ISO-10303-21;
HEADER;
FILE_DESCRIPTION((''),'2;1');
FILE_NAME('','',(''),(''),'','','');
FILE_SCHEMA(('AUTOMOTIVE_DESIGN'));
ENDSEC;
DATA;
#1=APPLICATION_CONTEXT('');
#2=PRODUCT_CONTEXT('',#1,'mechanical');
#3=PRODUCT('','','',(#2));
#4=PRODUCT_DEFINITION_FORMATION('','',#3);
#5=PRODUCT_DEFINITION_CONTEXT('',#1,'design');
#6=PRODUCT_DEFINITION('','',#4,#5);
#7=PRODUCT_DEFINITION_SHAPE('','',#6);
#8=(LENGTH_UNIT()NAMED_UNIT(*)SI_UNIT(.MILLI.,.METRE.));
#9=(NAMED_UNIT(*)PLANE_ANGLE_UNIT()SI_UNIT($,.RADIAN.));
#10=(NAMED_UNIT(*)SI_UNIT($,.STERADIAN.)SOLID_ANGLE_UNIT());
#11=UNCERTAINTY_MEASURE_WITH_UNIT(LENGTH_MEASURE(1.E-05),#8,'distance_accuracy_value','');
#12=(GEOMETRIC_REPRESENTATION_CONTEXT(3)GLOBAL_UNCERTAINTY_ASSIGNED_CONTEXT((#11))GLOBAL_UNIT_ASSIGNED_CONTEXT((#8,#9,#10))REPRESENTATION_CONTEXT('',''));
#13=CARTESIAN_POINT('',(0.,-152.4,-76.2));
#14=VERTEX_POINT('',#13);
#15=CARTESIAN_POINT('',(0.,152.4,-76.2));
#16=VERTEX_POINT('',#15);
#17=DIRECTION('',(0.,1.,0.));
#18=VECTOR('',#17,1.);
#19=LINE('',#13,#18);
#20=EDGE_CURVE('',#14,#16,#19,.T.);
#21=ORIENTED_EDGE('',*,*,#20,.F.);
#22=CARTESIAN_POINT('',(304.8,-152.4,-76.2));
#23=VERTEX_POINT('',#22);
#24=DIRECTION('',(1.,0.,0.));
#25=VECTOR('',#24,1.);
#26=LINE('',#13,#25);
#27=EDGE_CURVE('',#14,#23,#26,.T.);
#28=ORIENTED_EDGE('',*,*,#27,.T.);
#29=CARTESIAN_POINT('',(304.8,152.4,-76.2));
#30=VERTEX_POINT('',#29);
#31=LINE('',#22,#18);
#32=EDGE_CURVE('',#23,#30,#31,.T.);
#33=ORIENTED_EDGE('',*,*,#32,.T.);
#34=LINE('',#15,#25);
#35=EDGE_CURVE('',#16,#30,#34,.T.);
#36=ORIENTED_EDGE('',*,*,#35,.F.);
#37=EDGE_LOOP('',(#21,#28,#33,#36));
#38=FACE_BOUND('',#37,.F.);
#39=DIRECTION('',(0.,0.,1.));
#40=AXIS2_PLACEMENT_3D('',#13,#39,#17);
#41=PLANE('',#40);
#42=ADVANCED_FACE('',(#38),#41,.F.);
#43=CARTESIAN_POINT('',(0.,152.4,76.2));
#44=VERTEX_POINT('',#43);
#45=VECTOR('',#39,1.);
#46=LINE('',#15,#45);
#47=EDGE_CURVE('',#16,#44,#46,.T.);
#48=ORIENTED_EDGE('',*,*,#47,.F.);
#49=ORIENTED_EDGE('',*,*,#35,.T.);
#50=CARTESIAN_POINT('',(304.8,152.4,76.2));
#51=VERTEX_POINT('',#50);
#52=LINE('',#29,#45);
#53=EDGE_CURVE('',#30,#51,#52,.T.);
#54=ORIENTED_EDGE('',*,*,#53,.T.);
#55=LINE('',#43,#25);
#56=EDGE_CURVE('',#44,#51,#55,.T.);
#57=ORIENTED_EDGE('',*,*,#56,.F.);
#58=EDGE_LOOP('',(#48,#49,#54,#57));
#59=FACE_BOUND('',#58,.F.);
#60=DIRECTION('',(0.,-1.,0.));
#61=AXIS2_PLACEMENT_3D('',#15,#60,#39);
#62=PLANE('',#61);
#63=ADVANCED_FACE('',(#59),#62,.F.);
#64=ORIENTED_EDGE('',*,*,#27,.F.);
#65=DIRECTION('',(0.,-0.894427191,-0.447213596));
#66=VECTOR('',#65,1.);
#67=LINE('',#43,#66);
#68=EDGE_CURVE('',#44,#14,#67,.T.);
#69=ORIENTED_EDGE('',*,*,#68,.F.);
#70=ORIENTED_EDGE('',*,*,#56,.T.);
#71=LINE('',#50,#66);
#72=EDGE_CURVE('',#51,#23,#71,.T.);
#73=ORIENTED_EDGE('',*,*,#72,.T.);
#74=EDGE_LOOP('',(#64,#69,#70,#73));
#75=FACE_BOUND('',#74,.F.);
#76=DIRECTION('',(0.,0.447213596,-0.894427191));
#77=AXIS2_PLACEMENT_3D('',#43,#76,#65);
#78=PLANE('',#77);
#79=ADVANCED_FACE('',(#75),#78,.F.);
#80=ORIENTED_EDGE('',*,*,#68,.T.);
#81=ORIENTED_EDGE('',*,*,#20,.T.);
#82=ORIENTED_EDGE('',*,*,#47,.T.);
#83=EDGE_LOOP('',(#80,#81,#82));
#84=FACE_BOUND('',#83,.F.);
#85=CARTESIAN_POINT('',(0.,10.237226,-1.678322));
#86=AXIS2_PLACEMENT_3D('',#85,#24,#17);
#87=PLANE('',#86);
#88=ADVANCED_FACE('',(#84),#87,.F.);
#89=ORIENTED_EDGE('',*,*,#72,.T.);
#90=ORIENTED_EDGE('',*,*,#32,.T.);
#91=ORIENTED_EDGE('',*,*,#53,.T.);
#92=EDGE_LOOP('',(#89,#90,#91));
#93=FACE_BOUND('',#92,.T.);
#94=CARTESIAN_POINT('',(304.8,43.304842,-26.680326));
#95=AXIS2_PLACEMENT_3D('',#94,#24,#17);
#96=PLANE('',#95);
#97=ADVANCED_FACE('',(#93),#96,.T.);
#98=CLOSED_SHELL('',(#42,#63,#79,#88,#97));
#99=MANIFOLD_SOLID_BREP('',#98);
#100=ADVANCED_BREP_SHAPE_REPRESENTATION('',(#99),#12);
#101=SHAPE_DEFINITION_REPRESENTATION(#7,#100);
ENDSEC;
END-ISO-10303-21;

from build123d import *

# Parameters (mm, degrees)
F1_DEPTH = 304.8
F3_DEPTH = 304.8


with BuildPart() as f1:
    # F0 (on Right) → F1 (new body)
    with BuildSketch(Plane.YZ):
        Polygon((139.7, 62.0009683429), (152.4, 62.0009683429), (146.7203873372, 73.3601936686), (-129.6815493486, -64.8407746743), (-124.0019366858, -76.2), (-124.0019366858, -63.5), (-98.6019366858, -63.5), (97.1196126628, 34.3607746743), (139.7, 55.6509683429), align=None)
        Polygon((152.4, 62.0009683429), (152.4, 76.2), (146.7203873372, 73.3601936686), align=None)
        Polygon((152.4, -76.2), (152.4, 62.0009683429), (139.7, 55.6509683429), (139.7, -63.5), (139.7, -76.2), align=None)
        Polygon((139.7, 55.6509683429), (152.4, 62.0009683429), (139.7, 62.0009683429), align=None)
        Polygon((-129.6815493486, -64.8407746743), (-152.4, -76.2), (-124.0019366858, -76.2), align=None)
        Polygon((-124.0019366858, -63.5), (-124.0019366858, -76.2), (-98.6019366858, -63.5), align=None)
        Polygon((-98.6019366858, -63.5), (-124.0019366858, -76.2), (139.7, -76.2), (139.7, -63.5), align=None)
    extrude(amount=F1_DEPTH)

    # F2 (on face) → F3 (join)
    with BuildSketch(Plane.YZ.offset(304.8)):
        Polygon((139.7, 55.6509683429), (-98.6019366858, -63.5), (139.7, -63.5), align=None)
    extrude(amount=-F3_DEPTH)


solid = f1.part
